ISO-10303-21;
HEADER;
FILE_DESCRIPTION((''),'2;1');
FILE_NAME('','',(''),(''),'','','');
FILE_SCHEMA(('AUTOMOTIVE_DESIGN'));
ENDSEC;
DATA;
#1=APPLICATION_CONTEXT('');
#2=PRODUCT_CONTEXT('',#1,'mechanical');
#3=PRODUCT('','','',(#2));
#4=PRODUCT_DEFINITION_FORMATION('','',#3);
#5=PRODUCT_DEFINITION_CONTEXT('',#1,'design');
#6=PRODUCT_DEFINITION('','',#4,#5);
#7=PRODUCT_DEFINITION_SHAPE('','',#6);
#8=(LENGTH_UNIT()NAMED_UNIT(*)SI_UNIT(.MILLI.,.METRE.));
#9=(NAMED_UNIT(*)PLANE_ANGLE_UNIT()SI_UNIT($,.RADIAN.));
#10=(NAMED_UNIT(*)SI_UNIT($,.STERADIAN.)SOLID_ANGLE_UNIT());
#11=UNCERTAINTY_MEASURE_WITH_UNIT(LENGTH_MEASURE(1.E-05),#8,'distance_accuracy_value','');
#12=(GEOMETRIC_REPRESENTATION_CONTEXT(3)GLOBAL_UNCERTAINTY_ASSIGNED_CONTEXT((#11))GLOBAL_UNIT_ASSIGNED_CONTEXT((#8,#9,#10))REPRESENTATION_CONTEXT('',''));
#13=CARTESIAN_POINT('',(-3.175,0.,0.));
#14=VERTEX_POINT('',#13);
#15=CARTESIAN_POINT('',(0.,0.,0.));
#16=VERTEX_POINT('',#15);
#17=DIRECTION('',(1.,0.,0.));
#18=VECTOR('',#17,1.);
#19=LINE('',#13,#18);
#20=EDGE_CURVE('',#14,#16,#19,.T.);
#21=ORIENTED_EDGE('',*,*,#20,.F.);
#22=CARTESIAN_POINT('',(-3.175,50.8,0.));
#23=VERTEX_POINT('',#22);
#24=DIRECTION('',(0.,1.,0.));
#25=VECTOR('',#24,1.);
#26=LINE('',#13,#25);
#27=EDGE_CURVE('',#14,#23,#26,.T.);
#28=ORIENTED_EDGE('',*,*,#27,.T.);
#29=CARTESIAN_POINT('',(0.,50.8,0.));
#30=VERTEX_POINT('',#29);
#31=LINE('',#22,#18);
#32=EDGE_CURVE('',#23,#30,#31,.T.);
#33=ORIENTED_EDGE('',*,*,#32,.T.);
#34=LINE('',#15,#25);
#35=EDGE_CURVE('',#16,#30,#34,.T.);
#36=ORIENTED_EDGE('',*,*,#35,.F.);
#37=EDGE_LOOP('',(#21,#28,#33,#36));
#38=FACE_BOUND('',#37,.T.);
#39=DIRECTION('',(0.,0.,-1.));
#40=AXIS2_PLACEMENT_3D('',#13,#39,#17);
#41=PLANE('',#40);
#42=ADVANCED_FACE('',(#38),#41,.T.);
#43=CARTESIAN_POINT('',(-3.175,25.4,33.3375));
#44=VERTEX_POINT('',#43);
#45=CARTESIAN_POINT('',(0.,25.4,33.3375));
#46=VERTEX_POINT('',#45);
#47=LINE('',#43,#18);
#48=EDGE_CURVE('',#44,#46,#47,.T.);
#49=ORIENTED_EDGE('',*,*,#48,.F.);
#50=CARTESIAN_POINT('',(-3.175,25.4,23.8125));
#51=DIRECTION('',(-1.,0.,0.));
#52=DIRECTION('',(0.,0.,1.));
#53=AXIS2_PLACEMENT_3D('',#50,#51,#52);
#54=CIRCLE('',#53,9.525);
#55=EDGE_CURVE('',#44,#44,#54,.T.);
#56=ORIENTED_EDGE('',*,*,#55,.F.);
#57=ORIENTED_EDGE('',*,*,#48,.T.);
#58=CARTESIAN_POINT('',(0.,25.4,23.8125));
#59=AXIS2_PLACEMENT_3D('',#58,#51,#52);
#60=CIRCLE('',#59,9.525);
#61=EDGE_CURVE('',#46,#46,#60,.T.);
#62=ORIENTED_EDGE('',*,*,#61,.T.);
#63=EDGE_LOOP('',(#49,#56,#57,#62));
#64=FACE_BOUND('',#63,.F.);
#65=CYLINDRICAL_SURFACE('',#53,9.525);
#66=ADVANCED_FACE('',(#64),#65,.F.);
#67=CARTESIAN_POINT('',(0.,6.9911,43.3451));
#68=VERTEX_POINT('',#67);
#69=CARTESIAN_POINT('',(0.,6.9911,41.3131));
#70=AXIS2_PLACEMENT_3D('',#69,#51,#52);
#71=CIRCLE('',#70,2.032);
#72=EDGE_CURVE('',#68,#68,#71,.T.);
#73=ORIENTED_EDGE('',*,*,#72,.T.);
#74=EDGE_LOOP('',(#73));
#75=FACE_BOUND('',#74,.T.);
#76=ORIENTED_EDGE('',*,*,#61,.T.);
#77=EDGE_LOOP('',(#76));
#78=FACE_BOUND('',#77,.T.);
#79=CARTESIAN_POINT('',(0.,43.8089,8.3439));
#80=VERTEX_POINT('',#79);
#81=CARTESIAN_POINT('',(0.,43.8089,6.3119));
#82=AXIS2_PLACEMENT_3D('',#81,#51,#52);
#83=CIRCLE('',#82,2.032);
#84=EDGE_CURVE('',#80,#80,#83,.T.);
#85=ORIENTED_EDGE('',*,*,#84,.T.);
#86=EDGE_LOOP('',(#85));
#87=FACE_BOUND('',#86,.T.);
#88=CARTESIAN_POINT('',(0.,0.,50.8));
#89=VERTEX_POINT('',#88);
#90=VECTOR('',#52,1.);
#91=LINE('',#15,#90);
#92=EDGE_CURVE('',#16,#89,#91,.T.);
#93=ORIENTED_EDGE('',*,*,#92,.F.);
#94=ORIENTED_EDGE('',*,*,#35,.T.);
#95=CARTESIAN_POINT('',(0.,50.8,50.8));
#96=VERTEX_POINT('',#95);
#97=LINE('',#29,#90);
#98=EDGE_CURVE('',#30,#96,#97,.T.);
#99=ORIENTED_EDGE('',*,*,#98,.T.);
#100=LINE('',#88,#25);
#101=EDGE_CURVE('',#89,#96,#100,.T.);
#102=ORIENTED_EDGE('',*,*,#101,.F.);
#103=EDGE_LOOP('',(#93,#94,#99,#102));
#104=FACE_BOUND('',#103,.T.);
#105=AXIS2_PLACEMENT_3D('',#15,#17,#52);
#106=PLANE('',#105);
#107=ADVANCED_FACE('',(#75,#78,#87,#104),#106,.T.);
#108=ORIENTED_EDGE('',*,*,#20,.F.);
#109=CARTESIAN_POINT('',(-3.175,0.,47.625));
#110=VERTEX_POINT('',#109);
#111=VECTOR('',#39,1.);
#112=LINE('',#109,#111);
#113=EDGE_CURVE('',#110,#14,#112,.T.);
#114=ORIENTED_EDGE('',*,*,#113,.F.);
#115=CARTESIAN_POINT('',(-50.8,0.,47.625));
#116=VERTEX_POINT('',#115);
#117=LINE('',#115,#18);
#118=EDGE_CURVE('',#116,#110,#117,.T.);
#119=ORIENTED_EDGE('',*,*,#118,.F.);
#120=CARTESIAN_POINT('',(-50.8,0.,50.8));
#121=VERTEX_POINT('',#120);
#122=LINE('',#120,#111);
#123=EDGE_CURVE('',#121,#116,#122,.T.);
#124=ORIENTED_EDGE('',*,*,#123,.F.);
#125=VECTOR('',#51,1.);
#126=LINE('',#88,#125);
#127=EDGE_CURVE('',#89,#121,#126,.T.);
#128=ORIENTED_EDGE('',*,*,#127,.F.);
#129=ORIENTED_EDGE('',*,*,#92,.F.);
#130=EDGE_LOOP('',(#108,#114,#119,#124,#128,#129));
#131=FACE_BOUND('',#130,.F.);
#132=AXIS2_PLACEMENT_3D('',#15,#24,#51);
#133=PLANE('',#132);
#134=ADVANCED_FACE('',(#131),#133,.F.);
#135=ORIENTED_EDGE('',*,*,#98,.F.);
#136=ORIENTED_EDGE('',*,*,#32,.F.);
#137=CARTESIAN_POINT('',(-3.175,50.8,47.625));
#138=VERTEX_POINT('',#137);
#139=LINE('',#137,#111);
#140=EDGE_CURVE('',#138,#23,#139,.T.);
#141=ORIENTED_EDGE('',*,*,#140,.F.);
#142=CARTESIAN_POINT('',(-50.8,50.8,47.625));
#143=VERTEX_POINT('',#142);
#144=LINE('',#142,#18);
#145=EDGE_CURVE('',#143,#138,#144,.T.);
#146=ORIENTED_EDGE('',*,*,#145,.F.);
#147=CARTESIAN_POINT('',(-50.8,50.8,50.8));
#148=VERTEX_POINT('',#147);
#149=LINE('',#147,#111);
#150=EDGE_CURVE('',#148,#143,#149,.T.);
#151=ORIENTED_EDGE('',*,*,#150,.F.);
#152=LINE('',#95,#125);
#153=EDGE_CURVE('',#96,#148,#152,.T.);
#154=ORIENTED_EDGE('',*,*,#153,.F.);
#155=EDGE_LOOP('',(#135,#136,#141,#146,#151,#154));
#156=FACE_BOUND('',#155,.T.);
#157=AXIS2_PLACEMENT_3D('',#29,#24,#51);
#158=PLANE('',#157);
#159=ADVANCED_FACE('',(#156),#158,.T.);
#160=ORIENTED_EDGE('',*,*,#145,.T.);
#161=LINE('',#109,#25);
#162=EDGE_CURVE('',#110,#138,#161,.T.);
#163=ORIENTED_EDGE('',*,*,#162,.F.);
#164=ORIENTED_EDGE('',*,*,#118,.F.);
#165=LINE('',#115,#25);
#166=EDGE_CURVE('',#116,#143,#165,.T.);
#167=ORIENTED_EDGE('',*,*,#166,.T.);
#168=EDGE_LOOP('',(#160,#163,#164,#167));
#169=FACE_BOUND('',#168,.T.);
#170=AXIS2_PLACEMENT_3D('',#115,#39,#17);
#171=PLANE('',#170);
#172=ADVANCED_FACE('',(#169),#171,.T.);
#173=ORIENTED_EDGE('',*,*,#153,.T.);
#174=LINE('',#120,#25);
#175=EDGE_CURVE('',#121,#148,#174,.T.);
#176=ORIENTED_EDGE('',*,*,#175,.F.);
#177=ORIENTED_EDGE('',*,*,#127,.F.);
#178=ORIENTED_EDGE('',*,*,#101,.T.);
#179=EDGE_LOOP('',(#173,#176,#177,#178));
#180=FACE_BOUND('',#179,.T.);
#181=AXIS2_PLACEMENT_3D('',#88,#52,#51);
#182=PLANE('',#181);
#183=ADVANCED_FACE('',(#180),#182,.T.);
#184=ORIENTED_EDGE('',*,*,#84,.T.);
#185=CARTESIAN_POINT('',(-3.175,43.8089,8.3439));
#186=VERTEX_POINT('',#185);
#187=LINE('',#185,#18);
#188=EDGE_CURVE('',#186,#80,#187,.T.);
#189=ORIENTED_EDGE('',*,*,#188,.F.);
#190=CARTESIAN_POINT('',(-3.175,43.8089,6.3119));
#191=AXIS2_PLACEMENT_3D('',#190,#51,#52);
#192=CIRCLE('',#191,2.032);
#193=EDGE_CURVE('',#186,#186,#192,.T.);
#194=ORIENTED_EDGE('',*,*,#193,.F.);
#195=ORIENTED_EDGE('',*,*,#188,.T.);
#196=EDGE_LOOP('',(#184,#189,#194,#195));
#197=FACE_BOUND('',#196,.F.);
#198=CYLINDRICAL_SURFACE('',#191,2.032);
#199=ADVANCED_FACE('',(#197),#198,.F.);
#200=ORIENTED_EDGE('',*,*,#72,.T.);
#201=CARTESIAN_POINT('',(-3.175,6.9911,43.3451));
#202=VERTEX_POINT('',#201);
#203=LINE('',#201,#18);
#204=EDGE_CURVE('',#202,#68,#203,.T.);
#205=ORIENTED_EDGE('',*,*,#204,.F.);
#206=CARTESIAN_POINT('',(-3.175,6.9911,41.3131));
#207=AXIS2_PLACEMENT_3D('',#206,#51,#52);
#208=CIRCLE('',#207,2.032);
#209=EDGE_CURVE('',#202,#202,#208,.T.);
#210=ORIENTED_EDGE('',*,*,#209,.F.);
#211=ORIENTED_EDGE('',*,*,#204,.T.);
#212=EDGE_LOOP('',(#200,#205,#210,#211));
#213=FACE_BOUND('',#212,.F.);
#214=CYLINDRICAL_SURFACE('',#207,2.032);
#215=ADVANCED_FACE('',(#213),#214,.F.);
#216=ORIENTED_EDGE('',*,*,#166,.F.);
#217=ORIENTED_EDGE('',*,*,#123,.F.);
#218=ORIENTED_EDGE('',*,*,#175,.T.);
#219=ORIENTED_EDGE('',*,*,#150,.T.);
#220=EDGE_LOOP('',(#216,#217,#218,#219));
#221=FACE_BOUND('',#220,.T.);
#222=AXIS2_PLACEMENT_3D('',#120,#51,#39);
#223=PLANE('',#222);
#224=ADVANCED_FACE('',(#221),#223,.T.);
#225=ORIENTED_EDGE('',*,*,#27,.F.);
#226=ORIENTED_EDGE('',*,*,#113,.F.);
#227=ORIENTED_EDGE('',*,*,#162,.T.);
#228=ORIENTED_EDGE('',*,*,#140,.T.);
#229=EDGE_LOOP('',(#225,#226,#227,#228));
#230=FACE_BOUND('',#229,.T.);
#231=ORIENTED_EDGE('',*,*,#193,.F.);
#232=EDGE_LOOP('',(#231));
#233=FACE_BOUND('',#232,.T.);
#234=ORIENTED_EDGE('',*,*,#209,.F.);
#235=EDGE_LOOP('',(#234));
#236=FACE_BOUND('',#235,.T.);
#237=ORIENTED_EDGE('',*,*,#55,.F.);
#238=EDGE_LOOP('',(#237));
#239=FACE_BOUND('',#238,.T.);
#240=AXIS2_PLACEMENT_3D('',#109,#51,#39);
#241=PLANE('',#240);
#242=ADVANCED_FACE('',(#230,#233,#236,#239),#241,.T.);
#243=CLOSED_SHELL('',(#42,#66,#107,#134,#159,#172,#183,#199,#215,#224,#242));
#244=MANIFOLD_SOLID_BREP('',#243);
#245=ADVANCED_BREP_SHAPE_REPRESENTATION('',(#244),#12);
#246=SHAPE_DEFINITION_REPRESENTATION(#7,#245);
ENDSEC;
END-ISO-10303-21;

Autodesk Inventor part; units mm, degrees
ref_plane "YZ Plane" through (0, 0, 0) normal (1, 0, 0) x (0, 1, 0)
ref_plane "XZ Plane" through (0, 0, 0) normal (0, 1, 0) x (-1, 0, 0)
ref_plane "XY Plane" through (0, 0, 0) normal (0, 0, 1) x (1, 0, 0)
sketch "Sketch1" plane through (0, 0, 0) normal (0, 1, 0) x (-1, 0, 0)
  line L0 (0, 0) -> (0, 50.8)
  line L1 (0, 50.8) -> (50.8, 50.8)
  line L2 (50.8, 50.8) -> (50.8, 47.625)
  line L3 (50.8, 47.625) -> (3.175, 47.625)
  line L4 (3.175, 47.625) -> (3.175, 0)
  line L5 (3.175, 0) -> (0, 0)
  dimension "d0" = 50.8
  dimension "d1" = 50.8
  dimension "d2" = 3.175
  dimension "d3" = 47.625
  dimension "d4" = 47.625
extrude "Extrusion1" add sketch "Sketch1" along normal blind 50.8
sketch "Sketch3" plane through (-3.175, 0, 0) normal (-1, 0, 0) x (0, 0, 1)
  circle A0 centre (23.8125, 25.4) radius 25.4 construction
  line L0 (0, 50.8) -> (47.625, 50.8) projected
  line L1 (0, 0) -> (0, 50.8) projected
  circle A1 centre (6.3119, 43.8089) radius 2.032
  circle A2 centre (41.3131, 6.9911) radius 2.032
  line L2 (0, 0) -> (50.8, 0) projected
  line L3 (23.8125, 0) -> (23.8125, 50.8) construction
  line L4 (50.8, 50.8) -> (0, 50.8) projected
  circle A3 centre (23.8125, 25.4) radius 9.525
  dimension "d12" = 50.8
  dimension "d13" = 25.4
  dimension "d14" = 23.8125
  dimension "d15" = 4.064
  dimension "d16" = 4.064
  dimension "d17" = 17.5006
  dimension "d18" = 17.5006
  dimension "d19" = 19.05
extrude "Extrusion2" cut sketch "Sketch3" against normal blind 3.175
properties part number "BAG motor bracket" material "Aluminum 6061"
